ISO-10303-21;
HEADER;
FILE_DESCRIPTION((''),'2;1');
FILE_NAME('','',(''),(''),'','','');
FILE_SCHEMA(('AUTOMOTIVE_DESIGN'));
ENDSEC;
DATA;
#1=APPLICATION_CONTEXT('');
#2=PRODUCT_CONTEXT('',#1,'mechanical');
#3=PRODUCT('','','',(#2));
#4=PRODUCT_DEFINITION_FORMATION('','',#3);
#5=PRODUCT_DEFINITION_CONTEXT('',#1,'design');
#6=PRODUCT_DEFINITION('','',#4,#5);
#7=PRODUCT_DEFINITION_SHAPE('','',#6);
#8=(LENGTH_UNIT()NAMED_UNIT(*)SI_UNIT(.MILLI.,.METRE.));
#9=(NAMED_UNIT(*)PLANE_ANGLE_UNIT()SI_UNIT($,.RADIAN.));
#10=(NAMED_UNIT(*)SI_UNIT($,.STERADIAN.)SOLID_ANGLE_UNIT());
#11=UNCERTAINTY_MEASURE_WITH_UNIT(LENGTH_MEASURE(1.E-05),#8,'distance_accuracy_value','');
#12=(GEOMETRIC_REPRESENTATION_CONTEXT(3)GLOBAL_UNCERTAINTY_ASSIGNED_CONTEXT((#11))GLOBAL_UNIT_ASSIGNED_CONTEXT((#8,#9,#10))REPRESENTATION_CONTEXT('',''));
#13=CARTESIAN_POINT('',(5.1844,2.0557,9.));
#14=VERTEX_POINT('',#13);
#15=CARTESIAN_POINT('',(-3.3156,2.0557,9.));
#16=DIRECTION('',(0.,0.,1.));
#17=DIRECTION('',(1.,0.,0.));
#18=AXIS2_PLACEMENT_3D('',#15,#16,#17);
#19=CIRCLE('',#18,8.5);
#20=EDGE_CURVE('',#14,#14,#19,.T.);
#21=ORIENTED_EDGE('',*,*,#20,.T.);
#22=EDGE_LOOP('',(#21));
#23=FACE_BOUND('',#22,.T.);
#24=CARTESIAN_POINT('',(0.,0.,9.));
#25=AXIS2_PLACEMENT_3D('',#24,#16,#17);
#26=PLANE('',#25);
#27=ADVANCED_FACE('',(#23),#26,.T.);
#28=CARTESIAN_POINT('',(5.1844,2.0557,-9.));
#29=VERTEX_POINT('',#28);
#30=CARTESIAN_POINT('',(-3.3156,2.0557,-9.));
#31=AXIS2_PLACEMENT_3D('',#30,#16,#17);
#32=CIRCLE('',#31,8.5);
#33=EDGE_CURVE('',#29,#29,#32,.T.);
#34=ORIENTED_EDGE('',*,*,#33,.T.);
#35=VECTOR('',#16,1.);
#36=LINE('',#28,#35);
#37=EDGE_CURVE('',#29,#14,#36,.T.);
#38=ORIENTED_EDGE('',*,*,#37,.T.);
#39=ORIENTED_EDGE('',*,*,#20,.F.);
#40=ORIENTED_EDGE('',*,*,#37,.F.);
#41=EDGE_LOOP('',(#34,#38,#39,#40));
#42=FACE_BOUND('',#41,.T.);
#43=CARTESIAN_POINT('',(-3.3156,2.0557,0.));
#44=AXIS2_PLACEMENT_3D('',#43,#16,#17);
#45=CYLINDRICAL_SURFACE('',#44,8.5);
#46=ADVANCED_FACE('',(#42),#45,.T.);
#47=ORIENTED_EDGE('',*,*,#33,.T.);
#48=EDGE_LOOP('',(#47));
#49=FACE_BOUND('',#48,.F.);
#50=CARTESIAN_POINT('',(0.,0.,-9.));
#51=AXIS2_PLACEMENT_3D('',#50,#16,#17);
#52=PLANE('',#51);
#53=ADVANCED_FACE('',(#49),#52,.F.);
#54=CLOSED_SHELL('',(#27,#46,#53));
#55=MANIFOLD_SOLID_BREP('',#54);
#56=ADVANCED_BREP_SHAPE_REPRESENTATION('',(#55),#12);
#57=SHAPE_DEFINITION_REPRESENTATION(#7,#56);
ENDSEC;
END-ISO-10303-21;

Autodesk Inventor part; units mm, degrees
ref_plane "YZ Plane" through (0, 0, 0) normal (1, 0, 0) x (0, 1, 0)
ref_plane "XZ Plane" through (0, 0, 0) normal (0, 1, 0) x (-1, 0, 0)
ref_plane "XY Plane" through (0, 0, 0) normal (0, 0, 1) x (1, 0, 0)
sketch "Sketch1" plane through (0, 0, 0) normal (0, 0, 1) x (1, 0, 0)
  circle A0 centre (-3.3156, 2.0557) radius 8.5
  dimension "d0" = 17
  dimension "d0" = 17
extrude "Extrusion1" add sketch "Sketch1" against normal mid plane 18
properties part number "WeldExer_sleeve"
